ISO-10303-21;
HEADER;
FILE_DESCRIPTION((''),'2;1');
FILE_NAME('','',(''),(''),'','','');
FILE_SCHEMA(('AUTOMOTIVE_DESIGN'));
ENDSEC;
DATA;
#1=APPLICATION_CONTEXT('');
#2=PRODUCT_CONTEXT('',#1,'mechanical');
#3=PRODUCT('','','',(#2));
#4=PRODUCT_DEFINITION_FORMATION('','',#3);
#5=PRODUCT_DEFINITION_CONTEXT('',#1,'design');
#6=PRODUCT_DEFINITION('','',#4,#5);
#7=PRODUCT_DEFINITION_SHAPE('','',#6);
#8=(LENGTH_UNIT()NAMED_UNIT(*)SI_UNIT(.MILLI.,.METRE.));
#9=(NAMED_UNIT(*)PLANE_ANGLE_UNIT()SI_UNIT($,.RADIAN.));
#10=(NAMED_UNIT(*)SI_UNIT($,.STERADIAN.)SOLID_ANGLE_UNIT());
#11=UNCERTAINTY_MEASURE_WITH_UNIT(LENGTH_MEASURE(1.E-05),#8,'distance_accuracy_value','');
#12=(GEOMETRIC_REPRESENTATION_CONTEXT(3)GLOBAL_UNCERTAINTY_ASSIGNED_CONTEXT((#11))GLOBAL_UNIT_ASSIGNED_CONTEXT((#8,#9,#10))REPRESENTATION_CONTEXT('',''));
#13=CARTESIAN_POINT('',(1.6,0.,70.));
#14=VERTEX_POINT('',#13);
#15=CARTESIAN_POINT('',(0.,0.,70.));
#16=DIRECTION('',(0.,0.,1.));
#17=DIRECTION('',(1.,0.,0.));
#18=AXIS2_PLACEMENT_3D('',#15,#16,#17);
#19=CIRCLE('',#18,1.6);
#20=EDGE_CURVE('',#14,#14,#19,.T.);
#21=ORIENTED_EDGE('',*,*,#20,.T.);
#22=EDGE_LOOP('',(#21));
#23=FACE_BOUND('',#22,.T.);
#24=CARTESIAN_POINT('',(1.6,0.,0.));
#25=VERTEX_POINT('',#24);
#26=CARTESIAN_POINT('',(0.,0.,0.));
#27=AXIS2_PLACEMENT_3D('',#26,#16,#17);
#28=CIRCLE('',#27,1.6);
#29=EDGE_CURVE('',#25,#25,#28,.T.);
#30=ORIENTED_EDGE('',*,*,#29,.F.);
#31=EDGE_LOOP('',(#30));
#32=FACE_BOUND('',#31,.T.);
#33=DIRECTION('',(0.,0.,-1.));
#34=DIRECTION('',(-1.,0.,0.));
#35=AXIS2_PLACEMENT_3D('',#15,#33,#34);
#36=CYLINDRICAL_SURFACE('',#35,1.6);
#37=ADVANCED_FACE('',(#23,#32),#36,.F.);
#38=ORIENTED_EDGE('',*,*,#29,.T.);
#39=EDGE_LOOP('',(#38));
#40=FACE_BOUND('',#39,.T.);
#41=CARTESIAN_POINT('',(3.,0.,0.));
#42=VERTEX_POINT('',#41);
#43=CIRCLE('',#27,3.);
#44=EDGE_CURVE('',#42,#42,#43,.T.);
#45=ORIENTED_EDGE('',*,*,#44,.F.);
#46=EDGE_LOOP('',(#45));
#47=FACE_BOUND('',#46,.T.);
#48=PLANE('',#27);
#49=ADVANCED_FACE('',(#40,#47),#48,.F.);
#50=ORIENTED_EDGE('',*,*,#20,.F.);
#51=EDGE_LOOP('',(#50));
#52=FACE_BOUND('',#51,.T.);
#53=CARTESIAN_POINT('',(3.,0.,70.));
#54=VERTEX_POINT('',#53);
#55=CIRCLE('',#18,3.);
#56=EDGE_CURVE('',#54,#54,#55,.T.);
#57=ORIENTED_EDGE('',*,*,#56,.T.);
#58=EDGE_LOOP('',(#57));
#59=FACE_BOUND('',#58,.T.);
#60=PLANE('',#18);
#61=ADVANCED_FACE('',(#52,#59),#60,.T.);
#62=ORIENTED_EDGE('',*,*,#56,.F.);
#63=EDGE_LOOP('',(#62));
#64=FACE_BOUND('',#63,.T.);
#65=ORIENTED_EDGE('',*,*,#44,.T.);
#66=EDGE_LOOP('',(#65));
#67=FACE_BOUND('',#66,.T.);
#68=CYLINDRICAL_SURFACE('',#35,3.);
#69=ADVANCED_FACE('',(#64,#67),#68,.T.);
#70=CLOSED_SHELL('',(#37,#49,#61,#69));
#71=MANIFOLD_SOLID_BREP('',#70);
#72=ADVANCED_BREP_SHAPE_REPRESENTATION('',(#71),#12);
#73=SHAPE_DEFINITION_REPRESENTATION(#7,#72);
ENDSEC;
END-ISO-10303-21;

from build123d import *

# Parameters (mm, degrees)
SKETCH_1_R   = 3
SKETCH_1_R_2 = 1.6
F_70MM_DEPTH = 70


with BuildPart() as part:
    # 草图1 → 70mm铝柱 (new body)
    with BuildSketch(Plane.XY):
        Circle(SKETCH_1_R)
        Circle(SKETCH_1_R_2, mode=Mode.SUBTRACT)
    extrude(amount=F_70MM_DEPTH)


solid = part.part
